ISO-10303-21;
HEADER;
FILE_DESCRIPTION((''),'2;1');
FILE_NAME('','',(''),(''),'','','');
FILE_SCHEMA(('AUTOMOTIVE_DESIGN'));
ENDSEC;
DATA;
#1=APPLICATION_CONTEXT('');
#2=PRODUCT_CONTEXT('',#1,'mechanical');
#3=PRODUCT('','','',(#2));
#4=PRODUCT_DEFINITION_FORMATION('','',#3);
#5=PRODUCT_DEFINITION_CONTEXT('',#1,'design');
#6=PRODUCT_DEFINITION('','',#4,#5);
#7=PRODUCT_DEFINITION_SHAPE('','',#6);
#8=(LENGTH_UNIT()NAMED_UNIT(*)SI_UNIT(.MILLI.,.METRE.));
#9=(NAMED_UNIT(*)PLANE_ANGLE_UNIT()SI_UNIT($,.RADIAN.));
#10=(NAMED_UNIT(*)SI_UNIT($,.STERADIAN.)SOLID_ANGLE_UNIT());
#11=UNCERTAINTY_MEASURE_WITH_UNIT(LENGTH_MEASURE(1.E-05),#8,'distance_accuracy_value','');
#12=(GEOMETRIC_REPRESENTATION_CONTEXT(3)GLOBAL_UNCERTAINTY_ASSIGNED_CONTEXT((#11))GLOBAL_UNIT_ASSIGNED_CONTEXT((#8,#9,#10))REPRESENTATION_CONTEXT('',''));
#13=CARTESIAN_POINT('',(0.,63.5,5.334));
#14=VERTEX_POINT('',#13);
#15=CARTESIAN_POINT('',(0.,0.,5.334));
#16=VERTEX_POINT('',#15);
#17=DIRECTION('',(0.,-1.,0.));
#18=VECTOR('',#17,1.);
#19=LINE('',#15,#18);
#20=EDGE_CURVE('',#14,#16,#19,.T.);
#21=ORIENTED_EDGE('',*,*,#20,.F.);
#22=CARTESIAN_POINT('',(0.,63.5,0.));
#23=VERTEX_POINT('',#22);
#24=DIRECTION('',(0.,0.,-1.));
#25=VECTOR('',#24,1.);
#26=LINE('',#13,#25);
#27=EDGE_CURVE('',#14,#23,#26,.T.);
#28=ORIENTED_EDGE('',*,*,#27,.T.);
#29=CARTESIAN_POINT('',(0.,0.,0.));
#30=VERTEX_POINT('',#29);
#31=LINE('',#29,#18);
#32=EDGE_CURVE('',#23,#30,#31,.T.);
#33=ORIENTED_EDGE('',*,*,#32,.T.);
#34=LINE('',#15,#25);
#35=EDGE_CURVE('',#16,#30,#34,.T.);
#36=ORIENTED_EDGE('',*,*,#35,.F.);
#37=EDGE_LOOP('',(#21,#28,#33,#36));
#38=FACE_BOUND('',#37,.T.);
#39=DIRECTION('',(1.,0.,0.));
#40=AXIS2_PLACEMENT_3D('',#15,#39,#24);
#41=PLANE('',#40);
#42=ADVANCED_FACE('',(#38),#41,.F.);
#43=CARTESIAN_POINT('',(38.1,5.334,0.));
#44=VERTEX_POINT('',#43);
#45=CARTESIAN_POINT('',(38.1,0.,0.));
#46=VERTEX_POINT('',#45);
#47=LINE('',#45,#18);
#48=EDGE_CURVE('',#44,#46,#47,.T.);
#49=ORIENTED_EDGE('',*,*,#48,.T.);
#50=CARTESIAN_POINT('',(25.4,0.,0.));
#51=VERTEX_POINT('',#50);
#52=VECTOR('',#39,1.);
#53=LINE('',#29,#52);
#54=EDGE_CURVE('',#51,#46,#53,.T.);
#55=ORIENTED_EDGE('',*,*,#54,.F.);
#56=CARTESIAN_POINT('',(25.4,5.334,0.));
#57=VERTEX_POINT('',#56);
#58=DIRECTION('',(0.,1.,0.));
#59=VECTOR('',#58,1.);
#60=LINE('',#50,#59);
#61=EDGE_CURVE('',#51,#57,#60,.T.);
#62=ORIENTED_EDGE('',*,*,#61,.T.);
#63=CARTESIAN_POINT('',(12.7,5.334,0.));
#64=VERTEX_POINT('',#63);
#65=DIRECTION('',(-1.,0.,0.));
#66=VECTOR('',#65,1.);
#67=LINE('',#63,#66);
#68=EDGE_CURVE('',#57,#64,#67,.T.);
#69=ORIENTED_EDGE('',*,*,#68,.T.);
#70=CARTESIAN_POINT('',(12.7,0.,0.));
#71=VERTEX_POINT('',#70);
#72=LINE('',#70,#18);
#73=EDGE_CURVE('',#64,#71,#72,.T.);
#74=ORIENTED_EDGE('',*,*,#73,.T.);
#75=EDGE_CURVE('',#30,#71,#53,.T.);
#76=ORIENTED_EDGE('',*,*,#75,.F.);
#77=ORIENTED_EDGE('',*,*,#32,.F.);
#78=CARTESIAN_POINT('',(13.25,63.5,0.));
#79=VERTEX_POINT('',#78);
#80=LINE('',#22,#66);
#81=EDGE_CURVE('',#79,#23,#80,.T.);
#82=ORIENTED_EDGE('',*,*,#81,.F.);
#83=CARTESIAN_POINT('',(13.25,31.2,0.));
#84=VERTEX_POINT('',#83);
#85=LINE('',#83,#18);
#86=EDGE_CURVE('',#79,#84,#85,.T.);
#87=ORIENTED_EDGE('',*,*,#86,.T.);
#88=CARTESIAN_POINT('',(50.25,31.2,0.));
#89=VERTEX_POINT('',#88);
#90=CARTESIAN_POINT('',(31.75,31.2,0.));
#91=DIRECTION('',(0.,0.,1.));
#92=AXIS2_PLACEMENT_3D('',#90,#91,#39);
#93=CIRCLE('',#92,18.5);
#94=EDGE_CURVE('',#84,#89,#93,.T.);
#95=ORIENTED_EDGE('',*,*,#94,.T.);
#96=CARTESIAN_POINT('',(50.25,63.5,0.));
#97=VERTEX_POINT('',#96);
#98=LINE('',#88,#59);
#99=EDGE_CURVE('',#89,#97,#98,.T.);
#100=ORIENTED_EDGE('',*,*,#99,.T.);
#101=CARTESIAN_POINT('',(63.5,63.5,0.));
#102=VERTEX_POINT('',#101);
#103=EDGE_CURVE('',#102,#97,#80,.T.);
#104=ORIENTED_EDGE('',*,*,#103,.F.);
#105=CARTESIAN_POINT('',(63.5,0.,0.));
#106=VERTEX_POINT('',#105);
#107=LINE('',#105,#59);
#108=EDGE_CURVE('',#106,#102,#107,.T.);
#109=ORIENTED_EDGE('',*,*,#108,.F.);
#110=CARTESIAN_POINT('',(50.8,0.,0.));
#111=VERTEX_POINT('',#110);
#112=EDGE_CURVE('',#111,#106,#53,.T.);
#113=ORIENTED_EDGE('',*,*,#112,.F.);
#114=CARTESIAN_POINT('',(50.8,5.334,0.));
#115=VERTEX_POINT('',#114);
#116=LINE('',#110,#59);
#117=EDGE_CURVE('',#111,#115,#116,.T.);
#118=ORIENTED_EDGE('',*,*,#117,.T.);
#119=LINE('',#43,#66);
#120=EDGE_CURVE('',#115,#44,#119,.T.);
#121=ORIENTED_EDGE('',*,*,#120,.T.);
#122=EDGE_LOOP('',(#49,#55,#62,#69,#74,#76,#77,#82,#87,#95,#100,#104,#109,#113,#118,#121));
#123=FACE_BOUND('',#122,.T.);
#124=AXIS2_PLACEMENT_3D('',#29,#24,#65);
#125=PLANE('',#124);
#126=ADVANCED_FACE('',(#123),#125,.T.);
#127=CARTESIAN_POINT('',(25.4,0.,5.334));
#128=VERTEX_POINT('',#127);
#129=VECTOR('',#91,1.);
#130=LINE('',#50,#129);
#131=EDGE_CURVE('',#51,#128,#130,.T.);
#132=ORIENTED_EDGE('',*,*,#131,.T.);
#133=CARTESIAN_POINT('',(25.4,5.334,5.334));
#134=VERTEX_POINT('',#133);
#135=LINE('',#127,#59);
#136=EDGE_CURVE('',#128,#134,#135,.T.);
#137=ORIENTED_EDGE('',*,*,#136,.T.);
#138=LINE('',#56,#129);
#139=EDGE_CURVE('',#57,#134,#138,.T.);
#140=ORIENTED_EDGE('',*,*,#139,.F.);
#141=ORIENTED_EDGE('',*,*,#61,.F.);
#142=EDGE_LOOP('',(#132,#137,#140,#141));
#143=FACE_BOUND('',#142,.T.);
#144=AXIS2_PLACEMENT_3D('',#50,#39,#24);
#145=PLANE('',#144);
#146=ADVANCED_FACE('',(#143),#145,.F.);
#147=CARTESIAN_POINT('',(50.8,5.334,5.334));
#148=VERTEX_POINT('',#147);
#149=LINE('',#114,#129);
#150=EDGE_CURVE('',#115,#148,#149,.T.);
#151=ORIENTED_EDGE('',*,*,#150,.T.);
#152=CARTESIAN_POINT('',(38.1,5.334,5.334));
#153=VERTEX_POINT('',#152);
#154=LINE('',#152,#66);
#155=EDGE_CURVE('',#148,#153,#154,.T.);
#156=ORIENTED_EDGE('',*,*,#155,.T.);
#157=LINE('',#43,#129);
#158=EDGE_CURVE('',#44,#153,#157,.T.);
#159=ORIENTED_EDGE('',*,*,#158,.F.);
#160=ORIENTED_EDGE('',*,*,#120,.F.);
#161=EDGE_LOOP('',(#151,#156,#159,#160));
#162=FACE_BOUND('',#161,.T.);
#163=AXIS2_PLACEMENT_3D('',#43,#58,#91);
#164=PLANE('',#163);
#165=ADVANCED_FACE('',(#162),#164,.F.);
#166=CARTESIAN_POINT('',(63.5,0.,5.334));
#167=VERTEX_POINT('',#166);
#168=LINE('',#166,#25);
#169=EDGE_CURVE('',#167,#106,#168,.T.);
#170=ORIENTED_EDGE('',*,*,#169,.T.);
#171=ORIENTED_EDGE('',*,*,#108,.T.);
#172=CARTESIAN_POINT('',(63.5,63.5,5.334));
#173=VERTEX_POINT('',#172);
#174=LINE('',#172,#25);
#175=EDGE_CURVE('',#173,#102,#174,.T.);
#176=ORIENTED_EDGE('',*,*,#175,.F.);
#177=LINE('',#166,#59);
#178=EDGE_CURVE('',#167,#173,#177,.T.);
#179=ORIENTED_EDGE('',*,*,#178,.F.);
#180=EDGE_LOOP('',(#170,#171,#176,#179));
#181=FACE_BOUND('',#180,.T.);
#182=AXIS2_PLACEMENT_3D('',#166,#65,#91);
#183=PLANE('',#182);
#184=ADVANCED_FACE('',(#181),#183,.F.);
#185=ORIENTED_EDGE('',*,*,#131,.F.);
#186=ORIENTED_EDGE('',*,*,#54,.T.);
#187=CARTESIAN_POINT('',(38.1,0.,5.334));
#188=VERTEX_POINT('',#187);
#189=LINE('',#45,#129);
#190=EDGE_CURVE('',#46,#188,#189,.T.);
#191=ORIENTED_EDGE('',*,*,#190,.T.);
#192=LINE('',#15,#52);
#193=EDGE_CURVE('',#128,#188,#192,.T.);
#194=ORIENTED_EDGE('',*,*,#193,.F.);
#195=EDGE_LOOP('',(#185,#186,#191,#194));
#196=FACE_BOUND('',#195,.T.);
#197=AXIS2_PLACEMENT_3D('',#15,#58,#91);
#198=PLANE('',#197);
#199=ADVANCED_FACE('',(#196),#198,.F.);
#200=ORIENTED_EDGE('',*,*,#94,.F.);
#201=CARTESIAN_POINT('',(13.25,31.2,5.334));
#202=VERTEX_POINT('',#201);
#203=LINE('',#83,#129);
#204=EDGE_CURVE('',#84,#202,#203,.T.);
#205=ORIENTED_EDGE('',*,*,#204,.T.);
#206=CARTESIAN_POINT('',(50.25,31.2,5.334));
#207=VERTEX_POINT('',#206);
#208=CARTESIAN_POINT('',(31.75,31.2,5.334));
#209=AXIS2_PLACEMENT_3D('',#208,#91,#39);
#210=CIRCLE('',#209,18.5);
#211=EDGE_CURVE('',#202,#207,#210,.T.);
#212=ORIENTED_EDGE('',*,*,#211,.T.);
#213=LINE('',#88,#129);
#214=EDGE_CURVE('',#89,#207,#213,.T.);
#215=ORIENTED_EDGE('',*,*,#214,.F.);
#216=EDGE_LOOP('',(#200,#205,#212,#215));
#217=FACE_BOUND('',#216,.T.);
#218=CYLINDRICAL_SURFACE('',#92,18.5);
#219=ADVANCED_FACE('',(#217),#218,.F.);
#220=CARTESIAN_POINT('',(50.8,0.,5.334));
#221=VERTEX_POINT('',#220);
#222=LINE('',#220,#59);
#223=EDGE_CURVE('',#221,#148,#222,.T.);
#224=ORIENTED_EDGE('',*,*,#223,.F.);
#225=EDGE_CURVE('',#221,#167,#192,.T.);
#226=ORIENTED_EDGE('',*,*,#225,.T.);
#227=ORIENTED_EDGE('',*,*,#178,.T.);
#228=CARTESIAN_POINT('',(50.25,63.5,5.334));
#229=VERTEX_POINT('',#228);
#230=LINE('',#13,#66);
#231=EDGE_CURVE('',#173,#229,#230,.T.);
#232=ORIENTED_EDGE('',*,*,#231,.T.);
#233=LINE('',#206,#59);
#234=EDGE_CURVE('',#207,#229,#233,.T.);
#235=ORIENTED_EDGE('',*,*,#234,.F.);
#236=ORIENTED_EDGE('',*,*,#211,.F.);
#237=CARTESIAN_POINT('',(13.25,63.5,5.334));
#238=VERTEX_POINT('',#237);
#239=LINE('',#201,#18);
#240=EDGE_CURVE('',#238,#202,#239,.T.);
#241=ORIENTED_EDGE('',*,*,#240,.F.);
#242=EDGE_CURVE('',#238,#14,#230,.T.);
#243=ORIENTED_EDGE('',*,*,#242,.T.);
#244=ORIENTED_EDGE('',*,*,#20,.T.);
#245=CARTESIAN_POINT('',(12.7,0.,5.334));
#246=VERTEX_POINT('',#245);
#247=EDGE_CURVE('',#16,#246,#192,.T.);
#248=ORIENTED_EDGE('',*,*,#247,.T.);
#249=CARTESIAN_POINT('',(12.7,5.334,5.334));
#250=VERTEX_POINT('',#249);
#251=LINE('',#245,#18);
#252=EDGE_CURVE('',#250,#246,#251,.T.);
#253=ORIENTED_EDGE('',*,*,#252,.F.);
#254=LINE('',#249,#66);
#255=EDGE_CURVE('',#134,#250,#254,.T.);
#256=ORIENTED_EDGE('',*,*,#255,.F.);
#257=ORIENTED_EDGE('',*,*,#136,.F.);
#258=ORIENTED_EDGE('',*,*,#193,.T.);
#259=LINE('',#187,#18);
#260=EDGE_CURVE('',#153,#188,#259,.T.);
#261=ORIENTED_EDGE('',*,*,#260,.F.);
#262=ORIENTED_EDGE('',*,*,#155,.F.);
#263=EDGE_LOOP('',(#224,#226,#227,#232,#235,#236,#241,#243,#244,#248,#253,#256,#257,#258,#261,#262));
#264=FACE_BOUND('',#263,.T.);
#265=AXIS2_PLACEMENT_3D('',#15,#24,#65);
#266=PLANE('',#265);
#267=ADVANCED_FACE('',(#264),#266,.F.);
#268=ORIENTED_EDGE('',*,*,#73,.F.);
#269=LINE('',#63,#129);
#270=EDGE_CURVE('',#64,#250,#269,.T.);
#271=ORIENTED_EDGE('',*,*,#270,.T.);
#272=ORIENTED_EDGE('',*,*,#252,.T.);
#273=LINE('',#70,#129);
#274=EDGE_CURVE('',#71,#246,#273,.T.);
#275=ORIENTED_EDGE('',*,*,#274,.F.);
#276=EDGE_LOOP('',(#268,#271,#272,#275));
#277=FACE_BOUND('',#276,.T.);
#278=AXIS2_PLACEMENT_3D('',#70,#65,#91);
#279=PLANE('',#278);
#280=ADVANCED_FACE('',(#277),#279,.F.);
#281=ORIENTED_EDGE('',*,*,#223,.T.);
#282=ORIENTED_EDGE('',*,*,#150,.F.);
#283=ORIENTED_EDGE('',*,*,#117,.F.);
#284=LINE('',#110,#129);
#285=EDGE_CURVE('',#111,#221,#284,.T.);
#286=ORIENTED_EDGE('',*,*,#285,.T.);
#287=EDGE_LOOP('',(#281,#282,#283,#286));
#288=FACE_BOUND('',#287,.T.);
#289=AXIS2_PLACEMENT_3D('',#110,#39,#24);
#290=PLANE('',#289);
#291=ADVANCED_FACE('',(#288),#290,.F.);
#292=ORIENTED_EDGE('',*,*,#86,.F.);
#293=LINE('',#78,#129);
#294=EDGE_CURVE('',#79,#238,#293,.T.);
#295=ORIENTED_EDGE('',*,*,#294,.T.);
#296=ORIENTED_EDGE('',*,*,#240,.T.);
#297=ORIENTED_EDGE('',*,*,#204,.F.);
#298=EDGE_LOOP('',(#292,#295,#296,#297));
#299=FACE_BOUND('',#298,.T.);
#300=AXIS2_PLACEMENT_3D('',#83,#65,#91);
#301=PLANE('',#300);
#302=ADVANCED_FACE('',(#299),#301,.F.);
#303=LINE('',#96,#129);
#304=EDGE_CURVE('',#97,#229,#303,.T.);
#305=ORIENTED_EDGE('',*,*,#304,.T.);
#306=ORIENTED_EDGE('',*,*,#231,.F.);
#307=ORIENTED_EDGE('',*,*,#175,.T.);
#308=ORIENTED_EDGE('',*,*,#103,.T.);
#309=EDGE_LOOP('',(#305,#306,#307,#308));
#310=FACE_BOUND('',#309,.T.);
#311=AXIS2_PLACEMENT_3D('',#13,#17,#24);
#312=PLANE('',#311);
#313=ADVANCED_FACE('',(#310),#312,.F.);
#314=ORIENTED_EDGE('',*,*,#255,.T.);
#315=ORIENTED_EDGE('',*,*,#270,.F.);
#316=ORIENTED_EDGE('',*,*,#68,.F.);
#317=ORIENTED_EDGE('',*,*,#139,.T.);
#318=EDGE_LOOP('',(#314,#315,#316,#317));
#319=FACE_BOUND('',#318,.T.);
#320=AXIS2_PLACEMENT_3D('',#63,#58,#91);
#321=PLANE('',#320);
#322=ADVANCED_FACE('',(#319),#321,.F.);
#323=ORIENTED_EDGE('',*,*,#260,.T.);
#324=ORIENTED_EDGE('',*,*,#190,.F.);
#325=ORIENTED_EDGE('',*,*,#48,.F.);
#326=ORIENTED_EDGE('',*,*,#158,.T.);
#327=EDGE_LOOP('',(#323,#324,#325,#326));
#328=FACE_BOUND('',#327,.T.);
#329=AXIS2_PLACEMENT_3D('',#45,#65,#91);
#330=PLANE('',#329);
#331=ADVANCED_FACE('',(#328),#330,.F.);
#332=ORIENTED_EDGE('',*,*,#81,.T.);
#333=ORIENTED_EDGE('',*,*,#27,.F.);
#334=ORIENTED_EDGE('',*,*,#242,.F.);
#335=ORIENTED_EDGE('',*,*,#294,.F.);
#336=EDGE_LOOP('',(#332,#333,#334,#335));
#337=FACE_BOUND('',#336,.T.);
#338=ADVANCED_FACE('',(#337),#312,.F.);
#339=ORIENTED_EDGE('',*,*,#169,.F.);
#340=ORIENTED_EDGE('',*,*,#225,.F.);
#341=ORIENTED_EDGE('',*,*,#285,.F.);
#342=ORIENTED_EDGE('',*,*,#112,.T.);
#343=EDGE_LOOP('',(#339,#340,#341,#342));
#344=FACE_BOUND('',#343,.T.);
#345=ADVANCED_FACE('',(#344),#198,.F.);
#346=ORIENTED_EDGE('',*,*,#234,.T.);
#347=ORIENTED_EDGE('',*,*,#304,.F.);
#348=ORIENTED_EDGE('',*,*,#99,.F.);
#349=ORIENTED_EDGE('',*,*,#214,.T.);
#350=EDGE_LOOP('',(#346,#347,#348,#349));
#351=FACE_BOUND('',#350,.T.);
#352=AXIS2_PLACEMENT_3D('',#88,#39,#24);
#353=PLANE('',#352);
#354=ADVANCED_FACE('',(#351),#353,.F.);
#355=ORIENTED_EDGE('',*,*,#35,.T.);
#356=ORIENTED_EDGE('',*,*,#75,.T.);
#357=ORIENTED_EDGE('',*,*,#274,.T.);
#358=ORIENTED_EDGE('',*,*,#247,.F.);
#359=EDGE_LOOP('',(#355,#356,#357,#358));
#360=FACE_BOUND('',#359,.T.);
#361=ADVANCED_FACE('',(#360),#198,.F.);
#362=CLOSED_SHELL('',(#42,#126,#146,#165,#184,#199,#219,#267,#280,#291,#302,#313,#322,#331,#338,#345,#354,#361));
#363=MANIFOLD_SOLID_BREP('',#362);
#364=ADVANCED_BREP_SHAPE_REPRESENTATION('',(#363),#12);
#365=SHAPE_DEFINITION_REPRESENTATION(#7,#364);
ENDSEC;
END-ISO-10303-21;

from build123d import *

# Parameters (mm, degrees)
SKETCH1_W           = 63.5
SKETCH1_H           = 63.5
BOSS_EXTRUDE1_DEPTH = 5.334
SKETCH2_R           = 18.5
SKETCH2_W           = 12.7
SKETCH2_H           = 5.334
CUT_EXTRUDE1_DEPTH  = 5.334
SKETCH3_W           = 37
SKETCH3_H           = 32.300000043
CUT_EXTRUDE2_DEPTH  = 5.334


with BuildPart() as part:
    # Sketch1 → Boss-Extrude1 (new body)
    with BuildSketch(Plane.XY):
        with Locations((31.75, 31.75)):
            Rectangle(SKETCH1_W, SKETCH1_H)
    extrude(amount=BOSS_EXTRUDE1_DEPTH)

    # Sketch2 → Cut-Extrude1 (cut)
    with BuildSketch(Plane.XY.offset(5.334)):
        with Locations((31.75, 31.199999957)):
            Circle(SKETCH2_R)
        with Locations((19.05, 2.667)):
            Rectangle(SKETCH2_W, SKETCH2_H)
        with Locations((44.45, 2.667)):
            Rectangle(SKETCH2_W, SKETCH2_H)
    extrude(amount=-CUT_EXTRUDE1_DEPTH, mode=Mode.SUBTRACT)

    # Sketch3 → Cut-Extrude2 (cut)
    with BuildSketch(Plane.XY.offset(5.334)):
        with Locations((31.75, 47.349999979)):
            Rectangle(SKETCH3_W, SKETCH3_H)
    extrude(amount=-CUT_EXTRUDE2_DEPTH, mode=Mode.SUBTRACT)


solid = part.part
